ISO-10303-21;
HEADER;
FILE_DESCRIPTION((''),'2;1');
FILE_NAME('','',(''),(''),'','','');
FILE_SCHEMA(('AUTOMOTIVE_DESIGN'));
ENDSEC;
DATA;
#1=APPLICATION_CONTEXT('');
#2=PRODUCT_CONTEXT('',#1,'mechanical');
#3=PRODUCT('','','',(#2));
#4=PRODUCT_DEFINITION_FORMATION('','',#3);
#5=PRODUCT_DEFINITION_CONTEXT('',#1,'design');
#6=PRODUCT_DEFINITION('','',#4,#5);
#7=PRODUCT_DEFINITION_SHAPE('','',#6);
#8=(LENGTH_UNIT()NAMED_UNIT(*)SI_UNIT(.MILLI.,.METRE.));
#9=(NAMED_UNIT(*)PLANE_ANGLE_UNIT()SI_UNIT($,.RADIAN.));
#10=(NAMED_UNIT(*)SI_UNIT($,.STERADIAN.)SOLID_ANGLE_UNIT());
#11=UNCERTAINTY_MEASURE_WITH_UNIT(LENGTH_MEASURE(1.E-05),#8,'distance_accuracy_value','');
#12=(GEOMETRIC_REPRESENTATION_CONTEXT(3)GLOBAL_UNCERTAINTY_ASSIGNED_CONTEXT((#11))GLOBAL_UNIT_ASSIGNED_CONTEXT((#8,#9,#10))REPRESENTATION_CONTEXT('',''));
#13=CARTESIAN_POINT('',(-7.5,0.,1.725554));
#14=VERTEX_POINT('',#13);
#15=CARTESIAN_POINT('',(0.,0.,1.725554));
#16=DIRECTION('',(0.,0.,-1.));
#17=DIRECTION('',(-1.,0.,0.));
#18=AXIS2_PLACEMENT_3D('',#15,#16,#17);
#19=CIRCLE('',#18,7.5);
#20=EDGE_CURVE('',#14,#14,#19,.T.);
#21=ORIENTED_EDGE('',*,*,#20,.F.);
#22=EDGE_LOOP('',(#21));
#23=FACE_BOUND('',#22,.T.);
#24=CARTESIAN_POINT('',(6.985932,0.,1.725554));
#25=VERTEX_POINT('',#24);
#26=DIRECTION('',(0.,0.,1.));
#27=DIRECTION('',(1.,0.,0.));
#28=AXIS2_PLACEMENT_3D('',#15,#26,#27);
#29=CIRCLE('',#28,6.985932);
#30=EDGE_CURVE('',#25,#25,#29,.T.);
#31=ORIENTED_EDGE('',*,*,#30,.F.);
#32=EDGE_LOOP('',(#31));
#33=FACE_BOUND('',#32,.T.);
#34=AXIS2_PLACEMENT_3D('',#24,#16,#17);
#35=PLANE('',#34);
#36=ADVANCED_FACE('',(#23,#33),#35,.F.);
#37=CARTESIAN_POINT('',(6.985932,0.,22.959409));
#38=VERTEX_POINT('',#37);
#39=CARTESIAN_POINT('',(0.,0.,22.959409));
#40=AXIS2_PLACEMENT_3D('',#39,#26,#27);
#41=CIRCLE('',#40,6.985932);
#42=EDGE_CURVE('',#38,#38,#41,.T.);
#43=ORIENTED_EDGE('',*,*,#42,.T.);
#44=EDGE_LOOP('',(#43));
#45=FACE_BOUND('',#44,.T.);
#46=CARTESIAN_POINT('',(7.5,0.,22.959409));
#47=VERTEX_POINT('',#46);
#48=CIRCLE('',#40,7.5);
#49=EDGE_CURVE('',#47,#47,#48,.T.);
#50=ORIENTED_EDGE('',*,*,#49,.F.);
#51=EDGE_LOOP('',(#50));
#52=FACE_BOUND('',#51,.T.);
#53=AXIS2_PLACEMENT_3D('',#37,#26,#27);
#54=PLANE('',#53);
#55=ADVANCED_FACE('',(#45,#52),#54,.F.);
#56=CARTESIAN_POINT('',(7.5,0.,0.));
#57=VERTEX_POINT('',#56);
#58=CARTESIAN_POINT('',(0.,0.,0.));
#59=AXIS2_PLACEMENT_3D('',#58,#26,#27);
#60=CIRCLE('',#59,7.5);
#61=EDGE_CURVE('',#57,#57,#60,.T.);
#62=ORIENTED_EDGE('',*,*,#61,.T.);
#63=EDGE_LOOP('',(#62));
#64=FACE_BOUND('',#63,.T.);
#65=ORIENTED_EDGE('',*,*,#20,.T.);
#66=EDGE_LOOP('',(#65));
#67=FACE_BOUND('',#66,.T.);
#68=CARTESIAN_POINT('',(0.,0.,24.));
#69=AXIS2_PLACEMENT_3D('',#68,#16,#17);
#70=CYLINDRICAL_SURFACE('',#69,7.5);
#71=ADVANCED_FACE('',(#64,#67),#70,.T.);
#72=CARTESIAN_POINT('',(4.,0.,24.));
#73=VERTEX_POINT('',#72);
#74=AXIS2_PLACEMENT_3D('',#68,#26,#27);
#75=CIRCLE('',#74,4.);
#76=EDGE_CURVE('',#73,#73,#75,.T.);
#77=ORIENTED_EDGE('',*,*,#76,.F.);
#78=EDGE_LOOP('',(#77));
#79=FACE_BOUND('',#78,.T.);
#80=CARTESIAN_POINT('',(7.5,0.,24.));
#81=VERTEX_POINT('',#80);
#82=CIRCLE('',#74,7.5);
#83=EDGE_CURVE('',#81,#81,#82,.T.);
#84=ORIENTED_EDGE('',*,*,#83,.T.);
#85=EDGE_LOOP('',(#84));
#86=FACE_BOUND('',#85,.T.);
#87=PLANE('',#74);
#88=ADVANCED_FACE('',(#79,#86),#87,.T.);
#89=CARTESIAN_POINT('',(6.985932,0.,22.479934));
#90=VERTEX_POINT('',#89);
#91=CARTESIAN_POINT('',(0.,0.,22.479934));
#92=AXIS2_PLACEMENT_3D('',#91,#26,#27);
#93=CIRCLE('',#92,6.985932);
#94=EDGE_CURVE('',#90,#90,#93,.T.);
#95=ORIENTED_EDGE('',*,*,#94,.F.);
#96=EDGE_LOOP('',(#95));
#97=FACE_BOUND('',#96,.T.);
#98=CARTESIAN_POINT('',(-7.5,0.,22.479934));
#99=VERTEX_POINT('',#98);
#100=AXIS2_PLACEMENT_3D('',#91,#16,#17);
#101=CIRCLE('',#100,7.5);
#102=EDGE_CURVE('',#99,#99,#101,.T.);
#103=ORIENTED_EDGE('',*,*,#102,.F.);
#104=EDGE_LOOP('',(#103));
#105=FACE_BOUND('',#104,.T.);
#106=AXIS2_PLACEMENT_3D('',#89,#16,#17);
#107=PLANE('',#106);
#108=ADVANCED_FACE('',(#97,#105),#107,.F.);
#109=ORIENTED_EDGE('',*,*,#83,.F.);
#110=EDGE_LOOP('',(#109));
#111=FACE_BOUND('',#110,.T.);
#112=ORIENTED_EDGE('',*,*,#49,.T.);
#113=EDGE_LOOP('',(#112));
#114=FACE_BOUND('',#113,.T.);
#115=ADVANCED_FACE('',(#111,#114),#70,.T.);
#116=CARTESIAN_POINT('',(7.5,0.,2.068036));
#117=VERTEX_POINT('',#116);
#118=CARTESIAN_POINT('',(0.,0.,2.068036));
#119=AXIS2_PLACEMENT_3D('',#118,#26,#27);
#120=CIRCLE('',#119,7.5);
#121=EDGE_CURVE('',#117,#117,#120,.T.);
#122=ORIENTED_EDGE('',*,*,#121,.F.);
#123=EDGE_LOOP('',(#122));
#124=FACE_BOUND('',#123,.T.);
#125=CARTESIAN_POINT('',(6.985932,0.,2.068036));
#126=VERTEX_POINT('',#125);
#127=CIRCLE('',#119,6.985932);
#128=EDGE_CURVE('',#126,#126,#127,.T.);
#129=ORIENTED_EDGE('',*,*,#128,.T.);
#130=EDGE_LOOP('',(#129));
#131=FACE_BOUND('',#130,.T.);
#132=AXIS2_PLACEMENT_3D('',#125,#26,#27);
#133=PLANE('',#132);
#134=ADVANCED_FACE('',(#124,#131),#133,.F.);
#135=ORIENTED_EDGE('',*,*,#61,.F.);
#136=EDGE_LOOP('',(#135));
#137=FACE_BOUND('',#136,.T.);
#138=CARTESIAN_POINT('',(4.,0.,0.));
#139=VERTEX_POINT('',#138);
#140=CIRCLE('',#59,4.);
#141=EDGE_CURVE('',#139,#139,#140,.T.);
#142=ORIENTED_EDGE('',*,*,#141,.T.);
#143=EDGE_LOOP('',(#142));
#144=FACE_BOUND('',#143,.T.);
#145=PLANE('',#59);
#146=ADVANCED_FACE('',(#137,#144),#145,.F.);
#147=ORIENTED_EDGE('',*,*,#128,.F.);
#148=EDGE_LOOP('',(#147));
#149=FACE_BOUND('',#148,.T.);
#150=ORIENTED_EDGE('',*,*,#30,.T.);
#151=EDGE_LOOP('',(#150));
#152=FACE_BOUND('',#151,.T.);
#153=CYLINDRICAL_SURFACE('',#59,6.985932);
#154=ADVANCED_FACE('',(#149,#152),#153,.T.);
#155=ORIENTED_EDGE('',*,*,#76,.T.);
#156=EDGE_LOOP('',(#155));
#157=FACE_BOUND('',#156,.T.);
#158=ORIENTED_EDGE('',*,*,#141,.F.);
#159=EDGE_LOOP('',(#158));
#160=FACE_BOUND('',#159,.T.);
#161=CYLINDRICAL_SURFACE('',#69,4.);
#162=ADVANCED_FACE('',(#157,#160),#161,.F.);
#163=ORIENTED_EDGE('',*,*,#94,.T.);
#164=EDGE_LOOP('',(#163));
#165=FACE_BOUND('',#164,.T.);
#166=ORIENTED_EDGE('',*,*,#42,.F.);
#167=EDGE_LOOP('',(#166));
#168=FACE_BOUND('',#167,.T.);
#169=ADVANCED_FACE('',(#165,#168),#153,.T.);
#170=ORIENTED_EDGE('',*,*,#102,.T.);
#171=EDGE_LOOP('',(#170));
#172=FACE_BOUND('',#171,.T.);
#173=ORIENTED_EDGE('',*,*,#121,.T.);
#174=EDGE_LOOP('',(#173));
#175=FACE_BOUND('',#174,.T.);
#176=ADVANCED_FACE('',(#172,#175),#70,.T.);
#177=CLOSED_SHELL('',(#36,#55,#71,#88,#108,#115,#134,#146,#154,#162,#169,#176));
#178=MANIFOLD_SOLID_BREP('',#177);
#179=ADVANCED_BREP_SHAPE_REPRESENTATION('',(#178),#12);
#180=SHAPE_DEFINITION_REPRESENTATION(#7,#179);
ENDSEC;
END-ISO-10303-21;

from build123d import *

# Parameters (mm, degrees)
SKETCH_1_R      = 7.5
SKETCH_1_R_2    = 4
EXTRUDE_1_DEPTH = 24
SKETCH_2_W      = 1.02813504
SKETCH_2_H      = 0.342481518
SKETCH_2_H_2    = 0.479474125


with BuildPart() as part:
    # 草图1 → 凸台-拉伸1 (new body)
    with BuildSketch(Plane.XY):
        Circle(SKETCH_1_R)
        Circle(SKETCH_1_R_2, mode=Mode.SUBTRACT)
    extrude(amount=EXTRUDE_1_DEPTH)

    # 草图2 → 切除-旋转1 (revolve, cut)
    with BuildSketch(Plane(origin=(0, 0, 0), x_dir=(1, 0, 0), z_dir=(0, 1, 0))):
        with Locations((7.5, -1.89679522)):
            Rectangle(SKETCH_2_W, SKETCH_2_H)
        with Locations((7.5, -22.719671512)):
            Rectangle(SKETCH_2_W, SKETCH_2_H_2)
    revolve(axis=Axis((0, 0, 0), (0, 0, -1)), mode=Mode.SUBTRACT)


solid = part.part
